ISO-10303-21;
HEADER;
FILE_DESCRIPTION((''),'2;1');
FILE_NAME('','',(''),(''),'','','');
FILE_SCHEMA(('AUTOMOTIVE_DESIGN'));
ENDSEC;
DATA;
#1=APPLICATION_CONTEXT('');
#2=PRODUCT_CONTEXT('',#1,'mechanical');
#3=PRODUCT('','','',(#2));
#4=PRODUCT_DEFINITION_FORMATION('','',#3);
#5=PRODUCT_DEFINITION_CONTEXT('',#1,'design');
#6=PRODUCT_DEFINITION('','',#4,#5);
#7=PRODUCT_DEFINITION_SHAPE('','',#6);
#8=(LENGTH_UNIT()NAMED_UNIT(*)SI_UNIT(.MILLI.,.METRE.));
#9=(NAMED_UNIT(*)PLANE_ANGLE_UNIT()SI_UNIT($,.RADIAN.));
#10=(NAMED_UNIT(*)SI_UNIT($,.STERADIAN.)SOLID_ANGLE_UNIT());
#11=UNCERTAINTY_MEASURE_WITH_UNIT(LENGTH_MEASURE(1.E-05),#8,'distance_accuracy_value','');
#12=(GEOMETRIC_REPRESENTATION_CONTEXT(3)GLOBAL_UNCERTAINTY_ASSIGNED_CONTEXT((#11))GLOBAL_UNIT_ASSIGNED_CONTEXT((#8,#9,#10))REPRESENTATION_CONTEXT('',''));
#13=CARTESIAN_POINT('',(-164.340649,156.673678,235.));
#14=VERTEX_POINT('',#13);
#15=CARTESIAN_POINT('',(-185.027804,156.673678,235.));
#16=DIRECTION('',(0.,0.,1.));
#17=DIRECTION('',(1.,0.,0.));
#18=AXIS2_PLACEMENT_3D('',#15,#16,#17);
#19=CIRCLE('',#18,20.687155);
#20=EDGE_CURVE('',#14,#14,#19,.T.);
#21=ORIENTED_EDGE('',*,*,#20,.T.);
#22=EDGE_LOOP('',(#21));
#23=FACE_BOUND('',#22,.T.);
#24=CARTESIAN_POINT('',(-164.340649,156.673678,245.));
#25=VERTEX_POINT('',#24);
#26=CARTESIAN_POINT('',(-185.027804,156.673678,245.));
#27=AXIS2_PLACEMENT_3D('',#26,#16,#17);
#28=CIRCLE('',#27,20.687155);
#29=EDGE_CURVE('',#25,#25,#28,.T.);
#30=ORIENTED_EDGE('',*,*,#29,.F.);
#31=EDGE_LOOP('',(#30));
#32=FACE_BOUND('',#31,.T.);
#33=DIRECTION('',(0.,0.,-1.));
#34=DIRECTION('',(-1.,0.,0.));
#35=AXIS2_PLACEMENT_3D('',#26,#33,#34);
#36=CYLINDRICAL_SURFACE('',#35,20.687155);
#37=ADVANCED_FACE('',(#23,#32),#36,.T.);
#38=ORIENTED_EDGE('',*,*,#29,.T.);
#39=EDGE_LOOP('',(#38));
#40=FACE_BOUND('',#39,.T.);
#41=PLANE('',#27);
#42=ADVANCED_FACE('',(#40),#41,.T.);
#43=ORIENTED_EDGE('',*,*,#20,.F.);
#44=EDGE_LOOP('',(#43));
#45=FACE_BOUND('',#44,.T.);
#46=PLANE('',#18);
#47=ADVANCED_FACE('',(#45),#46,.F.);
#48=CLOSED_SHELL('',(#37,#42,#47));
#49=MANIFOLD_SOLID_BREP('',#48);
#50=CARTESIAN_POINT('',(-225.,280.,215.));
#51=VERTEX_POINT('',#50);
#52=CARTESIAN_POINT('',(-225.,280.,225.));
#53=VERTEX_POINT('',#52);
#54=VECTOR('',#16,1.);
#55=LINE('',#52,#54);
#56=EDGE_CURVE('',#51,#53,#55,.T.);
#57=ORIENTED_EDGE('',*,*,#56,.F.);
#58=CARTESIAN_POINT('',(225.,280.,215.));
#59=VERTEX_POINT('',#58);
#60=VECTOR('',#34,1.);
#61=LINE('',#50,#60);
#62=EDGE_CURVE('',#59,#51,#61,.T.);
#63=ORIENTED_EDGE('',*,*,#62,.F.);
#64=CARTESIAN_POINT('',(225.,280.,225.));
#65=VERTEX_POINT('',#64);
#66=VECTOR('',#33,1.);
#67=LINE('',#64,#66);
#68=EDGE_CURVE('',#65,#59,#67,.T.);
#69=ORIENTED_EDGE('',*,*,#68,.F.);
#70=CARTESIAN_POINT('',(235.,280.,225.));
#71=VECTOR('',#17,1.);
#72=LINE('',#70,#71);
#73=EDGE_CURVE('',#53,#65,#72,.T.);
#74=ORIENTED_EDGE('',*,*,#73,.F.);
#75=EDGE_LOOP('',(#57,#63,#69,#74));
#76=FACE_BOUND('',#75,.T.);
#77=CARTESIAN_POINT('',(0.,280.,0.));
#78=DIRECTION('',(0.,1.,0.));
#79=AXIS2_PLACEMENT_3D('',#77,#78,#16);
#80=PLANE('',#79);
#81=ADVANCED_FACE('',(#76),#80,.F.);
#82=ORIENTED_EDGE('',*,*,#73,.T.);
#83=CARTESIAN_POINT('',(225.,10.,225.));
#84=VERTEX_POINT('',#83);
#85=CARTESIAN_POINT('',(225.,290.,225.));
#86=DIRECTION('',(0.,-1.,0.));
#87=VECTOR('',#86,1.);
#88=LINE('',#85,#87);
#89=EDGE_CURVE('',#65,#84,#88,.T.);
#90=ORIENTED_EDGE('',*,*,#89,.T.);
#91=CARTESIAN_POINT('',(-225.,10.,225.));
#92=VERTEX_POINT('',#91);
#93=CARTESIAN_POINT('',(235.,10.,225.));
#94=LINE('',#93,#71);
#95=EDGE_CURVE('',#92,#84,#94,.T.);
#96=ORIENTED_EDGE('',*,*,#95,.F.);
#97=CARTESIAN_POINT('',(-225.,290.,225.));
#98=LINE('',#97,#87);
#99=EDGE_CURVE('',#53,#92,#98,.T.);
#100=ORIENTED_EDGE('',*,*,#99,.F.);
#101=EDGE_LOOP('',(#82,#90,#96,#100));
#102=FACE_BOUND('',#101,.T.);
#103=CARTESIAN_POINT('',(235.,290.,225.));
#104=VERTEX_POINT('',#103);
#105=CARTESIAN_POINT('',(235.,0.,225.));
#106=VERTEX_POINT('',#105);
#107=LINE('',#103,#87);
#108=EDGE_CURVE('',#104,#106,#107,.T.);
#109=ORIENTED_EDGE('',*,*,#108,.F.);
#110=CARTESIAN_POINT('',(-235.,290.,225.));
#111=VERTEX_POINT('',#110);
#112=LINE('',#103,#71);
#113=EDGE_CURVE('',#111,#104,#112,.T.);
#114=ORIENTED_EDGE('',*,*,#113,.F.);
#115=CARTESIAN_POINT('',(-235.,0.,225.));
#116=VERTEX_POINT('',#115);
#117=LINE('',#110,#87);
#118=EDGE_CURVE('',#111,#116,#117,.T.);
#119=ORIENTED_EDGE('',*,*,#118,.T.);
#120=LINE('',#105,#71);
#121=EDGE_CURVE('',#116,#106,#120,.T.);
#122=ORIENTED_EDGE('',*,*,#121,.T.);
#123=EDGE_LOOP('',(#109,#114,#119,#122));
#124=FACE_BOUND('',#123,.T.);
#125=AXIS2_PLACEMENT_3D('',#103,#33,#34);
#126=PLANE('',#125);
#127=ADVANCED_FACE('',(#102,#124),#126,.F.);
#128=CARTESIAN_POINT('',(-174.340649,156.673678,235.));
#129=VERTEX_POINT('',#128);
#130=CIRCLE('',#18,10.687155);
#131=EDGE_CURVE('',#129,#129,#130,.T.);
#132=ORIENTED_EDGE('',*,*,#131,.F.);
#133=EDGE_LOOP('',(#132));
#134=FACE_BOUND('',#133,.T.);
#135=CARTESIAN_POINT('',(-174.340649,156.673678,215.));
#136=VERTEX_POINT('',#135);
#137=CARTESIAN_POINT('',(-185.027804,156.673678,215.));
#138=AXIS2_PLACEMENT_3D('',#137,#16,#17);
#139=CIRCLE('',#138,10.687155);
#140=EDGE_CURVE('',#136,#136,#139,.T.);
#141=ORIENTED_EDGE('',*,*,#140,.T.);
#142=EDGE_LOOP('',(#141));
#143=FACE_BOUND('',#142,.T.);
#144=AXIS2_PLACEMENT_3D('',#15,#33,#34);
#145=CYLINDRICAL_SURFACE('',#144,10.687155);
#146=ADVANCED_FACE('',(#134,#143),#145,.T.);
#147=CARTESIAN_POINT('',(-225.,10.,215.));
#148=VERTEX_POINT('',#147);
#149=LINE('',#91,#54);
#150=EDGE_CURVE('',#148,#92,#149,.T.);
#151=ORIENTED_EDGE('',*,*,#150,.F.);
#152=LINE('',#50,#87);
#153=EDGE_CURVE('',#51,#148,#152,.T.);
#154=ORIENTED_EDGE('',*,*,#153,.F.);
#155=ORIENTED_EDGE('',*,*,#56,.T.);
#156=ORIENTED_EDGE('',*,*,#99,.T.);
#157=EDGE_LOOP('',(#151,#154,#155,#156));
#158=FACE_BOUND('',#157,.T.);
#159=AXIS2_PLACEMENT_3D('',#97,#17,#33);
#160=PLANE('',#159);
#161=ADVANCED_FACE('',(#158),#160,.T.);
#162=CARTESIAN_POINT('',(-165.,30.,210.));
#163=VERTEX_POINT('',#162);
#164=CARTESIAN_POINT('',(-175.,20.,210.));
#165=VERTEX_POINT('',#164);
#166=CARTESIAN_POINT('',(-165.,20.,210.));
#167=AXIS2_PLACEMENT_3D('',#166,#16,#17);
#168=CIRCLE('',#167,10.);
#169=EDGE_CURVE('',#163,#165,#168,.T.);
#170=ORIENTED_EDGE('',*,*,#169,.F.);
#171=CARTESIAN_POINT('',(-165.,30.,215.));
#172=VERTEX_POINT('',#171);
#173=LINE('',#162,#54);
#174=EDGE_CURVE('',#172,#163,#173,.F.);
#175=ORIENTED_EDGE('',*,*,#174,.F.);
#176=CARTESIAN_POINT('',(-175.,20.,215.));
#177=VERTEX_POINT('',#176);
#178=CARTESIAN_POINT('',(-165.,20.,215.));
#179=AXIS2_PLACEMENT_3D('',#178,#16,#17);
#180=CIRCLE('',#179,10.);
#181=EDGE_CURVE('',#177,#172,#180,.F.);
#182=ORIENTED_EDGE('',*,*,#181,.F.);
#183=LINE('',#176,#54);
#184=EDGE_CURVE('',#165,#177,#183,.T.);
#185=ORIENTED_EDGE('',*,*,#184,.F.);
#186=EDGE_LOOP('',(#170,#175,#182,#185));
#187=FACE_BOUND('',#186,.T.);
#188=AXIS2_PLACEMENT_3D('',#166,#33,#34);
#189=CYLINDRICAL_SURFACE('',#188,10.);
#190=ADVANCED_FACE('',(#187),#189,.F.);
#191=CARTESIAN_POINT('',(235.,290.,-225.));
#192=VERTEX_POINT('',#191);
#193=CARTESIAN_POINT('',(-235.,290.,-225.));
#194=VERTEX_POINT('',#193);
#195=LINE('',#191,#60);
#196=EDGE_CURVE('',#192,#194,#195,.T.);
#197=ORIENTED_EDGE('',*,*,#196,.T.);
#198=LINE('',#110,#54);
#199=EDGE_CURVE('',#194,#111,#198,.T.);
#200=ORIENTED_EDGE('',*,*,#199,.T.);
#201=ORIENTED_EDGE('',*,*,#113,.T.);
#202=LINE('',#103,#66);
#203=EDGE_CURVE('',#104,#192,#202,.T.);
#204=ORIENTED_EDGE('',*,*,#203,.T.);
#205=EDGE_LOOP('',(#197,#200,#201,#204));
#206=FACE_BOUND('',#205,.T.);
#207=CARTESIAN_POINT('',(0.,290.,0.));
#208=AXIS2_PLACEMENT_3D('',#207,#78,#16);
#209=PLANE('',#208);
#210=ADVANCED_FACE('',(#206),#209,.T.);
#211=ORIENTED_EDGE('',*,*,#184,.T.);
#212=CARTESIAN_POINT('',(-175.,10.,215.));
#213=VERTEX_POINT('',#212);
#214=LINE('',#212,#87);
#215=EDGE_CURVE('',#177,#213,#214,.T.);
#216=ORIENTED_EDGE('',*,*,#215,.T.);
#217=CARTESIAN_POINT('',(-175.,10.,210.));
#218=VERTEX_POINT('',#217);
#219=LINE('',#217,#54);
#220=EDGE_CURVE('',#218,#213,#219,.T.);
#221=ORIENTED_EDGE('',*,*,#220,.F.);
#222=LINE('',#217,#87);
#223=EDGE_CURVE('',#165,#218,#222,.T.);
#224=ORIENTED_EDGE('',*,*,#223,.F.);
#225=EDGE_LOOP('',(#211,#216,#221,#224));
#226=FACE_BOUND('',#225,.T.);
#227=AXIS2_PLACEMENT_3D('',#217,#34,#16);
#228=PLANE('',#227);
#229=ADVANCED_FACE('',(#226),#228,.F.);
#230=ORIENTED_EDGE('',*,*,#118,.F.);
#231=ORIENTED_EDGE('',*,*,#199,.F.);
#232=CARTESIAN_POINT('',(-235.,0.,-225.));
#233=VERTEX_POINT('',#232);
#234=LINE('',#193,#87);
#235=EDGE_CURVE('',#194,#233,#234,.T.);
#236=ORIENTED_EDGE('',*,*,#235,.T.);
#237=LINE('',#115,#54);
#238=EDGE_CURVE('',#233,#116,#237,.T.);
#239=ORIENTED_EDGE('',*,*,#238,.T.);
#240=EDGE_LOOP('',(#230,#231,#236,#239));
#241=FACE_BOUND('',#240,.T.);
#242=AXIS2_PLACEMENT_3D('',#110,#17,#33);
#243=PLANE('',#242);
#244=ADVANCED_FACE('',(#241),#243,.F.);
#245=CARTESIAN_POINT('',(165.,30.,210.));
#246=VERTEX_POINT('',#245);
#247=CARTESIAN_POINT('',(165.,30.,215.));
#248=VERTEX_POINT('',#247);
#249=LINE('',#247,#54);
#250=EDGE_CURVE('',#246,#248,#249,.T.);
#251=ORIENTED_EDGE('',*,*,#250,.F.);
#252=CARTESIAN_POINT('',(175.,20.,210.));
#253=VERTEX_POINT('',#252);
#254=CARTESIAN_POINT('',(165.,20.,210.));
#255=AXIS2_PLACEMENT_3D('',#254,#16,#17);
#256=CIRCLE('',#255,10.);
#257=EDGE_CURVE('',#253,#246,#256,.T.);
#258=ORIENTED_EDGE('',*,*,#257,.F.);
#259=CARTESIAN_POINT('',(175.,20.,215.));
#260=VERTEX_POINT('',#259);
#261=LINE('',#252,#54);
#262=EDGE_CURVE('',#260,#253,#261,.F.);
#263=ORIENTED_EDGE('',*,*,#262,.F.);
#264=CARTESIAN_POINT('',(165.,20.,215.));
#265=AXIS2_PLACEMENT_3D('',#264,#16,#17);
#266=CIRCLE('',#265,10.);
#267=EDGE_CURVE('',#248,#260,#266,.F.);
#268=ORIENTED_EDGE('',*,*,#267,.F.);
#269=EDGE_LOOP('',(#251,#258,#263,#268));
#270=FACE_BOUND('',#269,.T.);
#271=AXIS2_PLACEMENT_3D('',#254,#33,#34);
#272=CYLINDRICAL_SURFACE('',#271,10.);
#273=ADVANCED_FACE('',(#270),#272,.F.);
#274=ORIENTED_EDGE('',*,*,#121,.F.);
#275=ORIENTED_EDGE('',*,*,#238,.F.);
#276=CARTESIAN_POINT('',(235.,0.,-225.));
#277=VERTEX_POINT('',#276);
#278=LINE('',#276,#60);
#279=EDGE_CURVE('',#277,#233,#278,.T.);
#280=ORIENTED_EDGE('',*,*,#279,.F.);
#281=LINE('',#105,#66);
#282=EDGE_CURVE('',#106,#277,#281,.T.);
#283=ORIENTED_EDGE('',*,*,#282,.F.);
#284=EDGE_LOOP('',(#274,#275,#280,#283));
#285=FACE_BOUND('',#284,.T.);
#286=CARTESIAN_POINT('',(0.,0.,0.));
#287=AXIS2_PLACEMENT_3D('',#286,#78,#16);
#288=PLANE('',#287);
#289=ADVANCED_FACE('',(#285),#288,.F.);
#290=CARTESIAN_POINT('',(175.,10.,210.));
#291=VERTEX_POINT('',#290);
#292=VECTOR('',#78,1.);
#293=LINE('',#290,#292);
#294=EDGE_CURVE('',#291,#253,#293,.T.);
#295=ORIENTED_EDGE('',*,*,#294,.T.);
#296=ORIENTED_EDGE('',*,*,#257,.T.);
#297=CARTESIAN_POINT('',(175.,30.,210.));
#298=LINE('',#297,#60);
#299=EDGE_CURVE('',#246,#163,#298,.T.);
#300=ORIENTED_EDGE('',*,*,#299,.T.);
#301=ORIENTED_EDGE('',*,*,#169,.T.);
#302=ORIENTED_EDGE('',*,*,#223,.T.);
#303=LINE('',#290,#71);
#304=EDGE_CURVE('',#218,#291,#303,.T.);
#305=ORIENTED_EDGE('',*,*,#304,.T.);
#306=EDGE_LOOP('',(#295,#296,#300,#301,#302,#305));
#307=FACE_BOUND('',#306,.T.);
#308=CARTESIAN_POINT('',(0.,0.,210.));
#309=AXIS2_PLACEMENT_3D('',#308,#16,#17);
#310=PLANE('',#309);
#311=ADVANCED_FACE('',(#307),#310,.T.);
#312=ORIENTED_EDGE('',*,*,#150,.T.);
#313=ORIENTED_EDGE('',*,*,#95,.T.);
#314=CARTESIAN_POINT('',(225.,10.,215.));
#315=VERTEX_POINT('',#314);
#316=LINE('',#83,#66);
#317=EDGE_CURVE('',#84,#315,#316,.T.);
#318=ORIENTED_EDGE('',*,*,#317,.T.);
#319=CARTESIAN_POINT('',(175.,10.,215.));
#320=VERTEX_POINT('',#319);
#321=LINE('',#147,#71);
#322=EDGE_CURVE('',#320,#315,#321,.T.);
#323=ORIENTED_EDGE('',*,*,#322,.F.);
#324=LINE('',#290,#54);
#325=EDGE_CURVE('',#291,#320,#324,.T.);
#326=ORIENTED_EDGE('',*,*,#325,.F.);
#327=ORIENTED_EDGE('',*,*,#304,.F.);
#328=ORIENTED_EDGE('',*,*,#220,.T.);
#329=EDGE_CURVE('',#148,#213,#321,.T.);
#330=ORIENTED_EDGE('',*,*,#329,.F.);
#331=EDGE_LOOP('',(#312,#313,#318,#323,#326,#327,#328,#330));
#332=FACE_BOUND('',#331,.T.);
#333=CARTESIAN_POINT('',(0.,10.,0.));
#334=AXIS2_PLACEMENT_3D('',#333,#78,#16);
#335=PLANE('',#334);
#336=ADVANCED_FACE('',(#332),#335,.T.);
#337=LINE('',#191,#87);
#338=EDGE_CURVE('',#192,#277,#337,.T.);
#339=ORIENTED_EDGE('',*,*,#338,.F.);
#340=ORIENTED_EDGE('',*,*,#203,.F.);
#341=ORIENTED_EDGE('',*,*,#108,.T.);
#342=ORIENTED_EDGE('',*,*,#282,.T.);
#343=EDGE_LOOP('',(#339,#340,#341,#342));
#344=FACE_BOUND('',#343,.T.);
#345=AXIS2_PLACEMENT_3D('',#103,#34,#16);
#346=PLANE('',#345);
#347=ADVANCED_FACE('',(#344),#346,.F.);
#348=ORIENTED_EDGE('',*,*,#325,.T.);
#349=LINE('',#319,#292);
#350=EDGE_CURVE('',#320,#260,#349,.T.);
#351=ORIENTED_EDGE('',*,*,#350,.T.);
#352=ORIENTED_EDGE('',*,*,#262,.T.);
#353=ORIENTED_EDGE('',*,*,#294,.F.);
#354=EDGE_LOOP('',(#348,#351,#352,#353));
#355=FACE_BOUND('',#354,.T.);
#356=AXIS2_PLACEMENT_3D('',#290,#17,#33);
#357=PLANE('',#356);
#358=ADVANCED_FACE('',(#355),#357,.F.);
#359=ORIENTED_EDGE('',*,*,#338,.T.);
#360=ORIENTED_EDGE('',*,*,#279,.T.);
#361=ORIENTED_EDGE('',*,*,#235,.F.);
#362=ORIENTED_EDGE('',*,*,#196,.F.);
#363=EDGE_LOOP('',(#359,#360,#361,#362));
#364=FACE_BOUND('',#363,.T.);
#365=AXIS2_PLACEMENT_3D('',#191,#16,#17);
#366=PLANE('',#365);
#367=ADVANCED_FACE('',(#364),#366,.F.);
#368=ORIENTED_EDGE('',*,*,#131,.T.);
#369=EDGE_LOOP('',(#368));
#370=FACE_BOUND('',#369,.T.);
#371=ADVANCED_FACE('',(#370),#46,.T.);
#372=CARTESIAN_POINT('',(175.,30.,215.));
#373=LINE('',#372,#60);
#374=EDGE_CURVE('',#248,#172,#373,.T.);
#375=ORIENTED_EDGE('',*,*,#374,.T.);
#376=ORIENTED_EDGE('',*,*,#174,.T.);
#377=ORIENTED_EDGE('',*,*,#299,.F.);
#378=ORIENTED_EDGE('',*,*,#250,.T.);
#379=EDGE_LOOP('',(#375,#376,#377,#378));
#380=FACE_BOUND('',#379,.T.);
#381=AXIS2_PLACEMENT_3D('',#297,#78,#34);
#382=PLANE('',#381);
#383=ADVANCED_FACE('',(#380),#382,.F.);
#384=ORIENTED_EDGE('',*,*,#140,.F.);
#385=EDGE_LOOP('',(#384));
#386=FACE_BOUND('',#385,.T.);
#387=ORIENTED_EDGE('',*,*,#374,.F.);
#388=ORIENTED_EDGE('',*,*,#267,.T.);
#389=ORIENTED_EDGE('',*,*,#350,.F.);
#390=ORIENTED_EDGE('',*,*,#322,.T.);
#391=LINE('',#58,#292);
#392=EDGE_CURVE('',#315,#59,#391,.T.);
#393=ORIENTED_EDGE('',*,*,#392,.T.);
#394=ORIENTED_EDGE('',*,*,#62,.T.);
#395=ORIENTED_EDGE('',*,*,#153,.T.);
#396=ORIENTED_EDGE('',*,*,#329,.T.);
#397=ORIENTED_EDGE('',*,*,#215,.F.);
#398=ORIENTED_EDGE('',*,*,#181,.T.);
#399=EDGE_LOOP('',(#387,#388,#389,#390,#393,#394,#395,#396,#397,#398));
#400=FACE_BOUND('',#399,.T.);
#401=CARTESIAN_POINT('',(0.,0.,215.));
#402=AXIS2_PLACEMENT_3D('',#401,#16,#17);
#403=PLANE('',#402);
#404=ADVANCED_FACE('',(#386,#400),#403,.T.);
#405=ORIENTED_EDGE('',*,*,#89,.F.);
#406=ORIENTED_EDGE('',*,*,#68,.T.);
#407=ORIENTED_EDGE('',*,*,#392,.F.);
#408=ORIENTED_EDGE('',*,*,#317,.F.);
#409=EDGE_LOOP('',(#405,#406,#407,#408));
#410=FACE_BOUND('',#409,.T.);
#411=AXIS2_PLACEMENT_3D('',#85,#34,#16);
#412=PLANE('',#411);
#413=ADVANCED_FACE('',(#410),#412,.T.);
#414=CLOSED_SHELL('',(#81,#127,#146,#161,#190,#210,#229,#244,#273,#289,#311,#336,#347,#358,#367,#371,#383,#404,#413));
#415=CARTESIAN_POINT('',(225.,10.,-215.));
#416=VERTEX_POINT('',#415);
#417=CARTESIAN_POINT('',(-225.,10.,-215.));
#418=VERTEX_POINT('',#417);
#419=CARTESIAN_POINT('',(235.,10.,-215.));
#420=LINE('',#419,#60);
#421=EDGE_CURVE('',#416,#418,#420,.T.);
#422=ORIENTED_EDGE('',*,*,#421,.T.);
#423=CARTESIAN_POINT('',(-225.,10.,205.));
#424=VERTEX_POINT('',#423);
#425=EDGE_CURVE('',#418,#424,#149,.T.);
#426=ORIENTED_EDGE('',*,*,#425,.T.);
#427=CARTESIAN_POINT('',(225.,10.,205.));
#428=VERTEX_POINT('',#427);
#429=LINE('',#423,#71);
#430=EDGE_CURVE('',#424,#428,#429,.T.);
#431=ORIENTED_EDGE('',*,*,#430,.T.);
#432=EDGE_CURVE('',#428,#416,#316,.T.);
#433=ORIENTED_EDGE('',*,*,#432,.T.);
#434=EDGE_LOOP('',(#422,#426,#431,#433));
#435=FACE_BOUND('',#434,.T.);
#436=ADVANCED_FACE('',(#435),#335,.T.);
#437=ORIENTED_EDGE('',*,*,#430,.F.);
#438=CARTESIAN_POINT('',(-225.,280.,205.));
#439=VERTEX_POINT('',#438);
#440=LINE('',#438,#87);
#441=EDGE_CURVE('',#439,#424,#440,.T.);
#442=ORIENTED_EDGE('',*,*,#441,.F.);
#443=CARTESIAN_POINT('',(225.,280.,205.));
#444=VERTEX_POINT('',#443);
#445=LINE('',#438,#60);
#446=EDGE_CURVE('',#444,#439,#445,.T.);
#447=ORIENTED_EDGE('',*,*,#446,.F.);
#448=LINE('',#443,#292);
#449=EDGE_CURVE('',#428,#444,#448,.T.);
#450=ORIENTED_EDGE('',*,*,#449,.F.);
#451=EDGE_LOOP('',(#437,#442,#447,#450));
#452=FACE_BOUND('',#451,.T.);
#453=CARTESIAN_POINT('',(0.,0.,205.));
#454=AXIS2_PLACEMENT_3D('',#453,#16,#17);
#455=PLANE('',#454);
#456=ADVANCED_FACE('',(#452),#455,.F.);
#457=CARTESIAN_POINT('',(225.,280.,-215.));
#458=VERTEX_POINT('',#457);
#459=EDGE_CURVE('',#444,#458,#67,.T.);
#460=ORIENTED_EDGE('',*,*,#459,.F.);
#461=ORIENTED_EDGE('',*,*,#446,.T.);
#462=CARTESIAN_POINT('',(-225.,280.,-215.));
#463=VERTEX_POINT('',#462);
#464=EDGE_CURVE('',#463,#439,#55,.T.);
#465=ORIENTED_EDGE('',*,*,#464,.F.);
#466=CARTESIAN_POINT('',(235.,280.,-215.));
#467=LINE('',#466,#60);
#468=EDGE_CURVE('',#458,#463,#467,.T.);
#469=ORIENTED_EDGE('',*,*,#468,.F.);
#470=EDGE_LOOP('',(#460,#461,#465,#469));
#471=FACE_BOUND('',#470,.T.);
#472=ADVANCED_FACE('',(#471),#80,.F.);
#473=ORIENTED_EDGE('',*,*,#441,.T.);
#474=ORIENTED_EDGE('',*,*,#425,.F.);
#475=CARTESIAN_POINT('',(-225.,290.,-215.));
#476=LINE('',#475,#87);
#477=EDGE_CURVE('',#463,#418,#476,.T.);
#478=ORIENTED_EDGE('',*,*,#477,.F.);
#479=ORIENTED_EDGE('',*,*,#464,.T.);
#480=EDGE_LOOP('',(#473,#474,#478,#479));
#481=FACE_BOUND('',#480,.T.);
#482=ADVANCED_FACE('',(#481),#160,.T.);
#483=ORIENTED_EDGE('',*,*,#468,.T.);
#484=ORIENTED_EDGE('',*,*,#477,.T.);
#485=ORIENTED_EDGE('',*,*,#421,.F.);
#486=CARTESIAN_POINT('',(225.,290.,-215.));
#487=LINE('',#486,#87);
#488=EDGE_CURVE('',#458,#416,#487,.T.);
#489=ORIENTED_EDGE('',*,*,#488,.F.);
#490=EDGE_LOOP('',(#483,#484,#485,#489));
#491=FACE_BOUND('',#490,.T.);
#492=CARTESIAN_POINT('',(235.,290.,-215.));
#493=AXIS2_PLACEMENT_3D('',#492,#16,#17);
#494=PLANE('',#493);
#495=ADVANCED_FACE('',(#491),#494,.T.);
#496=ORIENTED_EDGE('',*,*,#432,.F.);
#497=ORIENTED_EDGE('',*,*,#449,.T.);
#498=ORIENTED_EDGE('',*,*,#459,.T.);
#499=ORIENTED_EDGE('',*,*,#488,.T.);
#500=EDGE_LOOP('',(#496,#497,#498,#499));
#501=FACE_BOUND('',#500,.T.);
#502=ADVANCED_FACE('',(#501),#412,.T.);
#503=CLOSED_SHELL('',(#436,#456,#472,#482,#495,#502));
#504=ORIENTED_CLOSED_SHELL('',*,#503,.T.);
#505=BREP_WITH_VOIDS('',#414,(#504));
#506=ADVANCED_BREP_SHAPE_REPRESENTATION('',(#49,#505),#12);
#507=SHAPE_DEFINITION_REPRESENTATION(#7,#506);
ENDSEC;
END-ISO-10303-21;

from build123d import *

# Parameters (mm, degrees)
SKETCH1_W           = 470
SKETCH1_H           = 450
BOSS_EXTRUDE1_DEPTH = 290
SHELL1_T            = -10
BOSS_EXTRUDE2_START = -20
SKETCH2_W           = 450
SKETCH2_H           = 270
BOSS_EXTRUDE2_DEPTH = 10
SKETCH3_W           = 350
SKETCH3_H           = 20
CUT_EXTRUDE1_DEPTH  = 5
FILLET1_R           = 10
SKETCH4_R           = 10.687155437
BOSS_EXTRUDE3_DEPTH = 20
SKETCH5_R           = 20.687155437
BOSS_EXTRUDE4_DEPTH = 10


with BuildPart() as part:
    # Sketch1 → Boss-Extrude1 (new body)
    with BuildSketch(Plane(origin=(0, 0, 0), x_dir=(1, 0, 0), z_dir=(0, 1, 0))):
        Rectangle(SKETCH1_W, SKETCH1_H)
    extrude(amount=BOSS_EXTRUDE1_DEPTH)

    # Shell1
    shell1_openings = [part.faces().sort_by_distance(p)[0] for p in [
        (0, 145, 225),
    ]]
    offset(amount=SHELL1_T, openings=shell1_openings, kind=Kind.INTERSECTION)

    # Sketch2 → Boss-Extrude2 (add)
    with BuildSketch(Plane.XY.offset(225).offset(BOSS_EXTRUDE2_START)):
        with Locations((0, 145)):
            Rectangle(SKETCH2_W, SKETCH2_H)
    extrude(amount=BOSS_EXTRUDE2_DEPTH)

    # Sketch3 → Cut-Extrude1 (cut)
    with BuildSketch(Plane.XY.offset(215)):
        with Locations((0, 20)):
            Rectangle(SKETCH3_W, SKETCH3_H)
    extrude(amount=-CUT_EXTRUDE1_DEPTH, mode=Mode.SUBTRACT)

    # Fillet1
    fillet1_edges = [part.edges().sort_by_distance(p)[0] for p in [
        (175, 30, 212.5),
        (-175, 30, 212.5),
    ]]
    fillet(fillet1_edges, radius=FILLET1_R)

    # Sketch4 → Boss-Extrude3 (add)
    with BuildSketch(Plane.XY.offset(215)):
        with Locations((-185.027804202, 156.673678499)):
            Circle(SKETCH4_R)
    extrude(amount=BOSS_EXTRUDE3_DEPTH)


with BuildPart() as body_2:
    # Sketch5 → Boss-Extrude4 (new body)
    with BuildSketch(Plane.XY.offset(235)):
        with Locations((-185.027804202, 156.673678499)):
            Circle(SKETCH5_R)
    extrude(amount=BOSS_EXTRUDE4_DEPTH)


solid = Compound([part.part, body_2.part])
